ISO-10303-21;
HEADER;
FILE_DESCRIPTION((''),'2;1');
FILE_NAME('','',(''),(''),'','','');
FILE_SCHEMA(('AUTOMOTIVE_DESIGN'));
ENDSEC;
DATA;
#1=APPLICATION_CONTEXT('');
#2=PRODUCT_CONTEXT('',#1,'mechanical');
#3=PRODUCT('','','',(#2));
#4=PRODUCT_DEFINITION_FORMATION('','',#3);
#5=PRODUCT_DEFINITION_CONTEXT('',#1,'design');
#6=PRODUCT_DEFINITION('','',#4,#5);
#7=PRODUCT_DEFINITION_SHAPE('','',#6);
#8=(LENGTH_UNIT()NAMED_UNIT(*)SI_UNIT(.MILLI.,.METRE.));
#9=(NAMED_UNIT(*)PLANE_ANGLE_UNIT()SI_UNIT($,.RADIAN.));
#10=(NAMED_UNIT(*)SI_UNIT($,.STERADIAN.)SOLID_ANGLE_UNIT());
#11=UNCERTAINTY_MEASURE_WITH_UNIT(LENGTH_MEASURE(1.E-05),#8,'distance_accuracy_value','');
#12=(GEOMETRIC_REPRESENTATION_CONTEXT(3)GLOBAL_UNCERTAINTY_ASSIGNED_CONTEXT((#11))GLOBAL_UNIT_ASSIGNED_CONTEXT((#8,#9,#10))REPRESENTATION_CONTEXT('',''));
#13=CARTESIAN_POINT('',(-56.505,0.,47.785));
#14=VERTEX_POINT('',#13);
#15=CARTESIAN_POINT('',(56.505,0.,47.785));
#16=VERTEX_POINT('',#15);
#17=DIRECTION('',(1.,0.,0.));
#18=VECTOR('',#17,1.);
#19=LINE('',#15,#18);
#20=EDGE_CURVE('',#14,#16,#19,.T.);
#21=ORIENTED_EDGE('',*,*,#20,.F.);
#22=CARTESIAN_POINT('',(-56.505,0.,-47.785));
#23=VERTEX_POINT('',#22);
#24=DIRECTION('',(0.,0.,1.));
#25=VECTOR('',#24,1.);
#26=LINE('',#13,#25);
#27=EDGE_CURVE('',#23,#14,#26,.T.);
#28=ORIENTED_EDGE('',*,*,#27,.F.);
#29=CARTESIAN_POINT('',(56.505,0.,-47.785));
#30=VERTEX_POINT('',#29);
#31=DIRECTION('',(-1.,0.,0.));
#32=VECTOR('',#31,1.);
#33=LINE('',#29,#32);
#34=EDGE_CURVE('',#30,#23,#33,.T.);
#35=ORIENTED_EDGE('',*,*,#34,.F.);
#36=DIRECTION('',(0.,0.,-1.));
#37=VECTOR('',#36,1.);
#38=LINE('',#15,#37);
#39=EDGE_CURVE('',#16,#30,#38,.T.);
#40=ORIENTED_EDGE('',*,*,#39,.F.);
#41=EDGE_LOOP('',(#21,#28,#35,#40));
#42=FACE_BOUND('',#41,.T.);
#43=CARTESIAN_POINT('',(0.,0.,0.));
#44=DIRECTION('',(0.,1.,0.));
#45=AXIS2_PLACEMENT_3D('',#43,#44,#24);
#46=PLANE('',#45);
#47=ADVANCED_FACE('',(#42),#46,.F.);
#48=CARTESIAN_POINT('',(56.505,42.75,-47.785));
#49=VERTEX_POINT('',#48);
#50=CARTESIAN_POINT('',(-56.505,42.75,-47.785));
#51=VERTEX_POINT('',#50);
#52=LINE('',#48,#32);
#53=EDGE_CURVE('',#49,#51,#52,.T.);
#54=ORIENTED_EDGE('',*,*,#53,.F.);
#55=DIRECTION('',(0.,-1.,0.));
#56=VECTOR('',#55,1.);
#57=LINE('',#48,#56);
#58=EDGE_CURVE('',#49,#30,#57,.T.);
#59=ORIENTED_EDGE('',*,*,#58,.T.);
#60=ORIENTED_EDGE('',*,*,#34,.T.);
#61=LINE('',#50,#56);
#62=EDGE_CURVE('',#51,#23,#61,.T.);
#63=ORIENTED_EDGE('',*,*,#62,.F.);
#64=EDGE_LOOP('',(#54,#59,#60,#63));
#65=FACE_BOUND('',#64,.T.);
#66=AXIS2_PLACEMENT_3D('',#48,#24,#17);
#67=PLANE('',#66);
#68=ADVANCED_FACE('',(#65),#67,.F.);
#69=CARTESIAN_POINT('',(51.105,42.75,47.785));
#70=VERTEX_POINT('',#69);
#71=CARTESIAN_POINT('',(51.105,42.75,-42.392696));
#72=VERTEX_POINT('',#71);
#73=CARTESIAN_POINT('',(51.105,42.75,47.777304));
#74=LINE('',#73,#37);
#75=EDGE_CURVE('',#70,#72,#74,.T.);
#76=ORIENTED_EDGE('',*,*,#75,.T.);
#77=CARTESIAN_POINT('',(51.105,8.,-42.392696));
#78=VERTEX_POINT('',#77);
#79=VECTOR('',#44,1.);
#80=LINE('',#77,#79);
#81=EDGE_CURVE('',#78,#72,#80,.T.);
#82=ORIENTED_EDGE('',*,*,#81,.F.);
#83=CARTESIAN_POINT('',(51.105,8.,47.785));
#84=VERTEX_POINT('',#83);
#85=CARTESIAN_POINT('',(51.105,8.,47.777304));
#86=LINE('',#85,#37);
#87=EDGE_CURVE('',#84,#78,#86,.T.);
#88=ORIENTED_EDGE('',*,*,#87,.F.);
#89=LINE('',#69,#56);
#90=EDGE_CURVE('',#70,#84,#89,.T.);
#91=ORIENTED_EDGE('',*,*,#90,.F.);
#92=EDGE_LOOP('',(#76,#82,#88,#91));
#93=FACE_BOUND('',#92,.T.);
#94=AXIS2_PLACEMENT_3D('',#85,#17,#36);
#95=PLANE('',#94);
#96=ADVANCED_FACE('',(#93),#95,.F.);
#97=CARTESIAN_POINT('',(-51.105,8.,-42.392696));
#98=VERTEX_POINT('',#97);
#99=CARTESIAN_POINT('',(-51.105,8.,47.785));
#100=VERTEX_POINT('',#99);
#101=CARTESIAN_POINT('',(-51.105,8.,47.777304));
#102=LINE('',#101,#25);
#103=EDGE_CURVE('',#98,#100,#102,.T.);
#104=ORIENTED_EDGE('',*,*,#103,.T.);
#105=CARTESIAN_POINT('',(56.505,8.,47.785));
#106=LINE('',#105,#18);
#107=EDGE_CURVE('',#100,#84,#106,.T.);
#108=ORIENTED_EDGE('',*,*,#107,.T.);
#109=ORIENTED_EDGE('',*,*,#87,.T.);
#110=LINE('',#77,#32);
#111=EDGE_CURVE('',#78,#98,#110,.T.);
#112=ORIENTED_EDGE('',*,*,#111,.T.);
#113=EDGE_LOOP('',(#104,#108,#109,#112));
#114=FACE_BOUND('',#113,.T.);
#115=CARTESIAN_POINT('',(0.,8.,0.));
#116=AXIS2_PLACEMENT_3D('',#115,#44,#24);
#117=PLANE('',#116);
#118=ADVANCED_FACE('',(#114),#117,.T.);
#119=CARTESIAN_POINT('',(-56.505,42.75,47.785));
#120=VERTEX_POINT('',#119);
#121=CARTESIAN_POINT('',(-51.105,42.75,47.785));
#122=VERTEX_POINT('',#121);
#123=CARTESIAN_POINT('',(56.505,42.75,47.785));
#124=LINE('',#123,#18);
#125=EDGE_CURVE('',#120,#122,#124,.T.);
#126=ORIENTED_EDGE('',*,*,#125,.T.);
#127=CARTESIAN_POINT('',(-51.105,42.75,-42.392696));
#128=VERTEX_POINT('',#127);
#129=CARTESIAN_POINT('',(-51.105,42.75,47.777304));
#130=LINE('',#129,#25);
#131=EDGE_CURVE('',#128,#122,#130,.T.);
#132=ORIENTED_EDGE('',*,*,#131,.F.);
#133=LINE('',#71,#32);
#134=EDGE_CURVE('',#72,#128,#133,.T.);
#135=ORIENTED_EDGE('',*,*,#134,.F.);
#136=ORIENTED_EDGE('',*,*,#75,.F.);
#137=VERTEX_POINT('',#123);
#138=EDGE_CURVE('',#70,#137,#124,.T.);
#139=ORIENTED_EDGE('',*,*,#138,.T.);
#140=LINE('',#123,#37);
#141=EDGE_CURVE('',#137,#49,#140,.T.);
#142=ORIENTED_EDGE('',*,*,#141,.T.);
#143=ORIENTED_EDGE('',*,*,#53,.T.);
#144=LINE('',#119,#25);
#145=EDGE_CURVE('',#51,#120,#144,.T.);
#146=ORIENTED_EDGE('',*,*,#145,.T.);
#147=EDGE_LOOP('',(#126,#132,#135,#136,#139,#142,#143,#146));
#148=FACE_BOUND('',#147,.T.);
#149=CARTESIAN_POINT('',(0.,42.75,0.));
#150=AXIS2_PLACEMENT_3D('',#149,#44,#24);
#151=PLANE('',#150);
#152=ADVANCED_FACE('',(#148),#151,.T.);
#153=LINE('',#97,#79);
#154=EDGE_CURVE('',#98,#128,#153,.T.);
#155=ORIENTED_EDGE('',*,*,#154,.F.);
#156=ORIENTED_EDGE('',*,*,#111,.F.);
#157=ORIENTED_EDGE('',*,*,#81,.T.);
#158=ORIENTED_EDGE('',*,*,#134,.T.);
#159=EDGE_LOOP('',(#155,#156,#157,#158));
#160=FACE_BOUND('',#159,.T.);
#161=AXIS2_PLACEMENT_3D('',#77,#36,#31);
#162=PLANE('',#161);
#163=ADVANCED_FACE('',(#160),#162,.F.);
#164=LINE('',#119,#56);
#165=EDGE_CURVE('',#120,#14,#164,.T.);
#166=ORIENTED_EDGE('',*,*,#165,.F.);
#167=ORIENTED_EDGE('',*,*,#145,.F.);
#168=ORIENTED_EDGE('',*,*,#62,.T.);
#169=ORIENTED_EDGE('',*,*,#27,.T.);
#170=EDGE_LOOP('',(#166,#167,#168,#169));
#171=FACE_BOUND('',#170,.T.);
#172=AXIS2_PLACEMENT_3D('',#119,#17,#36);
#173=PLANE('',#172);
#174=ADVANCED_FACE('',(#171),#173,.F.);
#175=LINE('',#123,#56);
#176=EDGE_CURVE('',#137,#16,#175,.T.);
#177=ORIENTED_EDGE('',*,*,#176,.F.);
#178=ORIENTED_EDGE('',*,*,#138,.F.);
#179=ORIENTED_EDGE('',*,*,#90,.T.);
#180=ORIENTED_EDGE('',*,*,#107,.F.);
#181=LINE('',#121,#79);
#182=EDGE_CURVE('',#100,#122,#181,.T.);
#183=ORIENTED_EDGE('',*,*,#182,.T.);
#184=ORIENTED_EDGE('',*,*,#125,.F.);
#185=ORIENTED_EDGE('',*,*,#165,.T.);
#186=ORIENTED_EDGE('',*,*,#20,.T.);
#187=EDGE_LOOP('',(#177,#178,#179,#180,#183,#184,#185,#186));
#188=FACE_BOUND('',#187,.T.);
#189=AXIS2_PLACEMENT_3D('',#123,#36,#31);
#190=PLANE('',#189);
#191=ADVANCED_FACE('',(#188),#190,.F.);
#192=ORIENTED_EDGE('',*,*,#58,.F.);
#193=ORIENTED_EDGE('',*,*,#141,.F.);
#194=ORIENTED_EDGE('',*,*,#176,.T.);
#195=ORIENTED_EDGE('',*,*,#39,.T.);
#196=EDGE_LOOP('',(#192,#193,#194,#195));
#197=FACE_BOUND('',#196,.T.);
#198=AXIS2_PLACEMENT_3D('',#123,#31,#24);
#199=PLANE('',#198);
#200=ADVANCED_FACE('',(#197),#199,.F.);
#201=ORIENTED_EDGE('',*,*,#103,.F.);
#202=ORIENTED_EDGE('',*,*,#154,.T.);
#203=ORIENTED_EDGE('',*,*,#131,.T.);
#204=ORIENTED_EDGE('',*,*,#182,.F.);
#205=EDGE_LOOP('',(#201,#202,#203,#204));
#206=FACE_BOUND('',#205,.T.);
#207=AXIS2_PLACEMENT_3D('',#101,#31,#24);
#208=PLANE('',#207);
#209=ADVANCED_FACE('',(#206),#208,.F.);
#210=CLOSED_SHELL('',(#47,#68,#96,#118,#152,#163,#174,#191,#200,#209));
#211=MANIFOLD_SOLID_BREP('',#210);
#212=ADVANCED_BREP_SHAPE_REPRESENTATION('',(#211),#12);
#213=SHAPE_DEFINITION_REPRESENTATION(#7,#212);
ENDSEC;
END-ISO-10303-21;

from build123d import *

# Parameters (mm, degrees)
SKETCH1_W           = 113.01
SKETCH1_H           = 95.57
BOSS_EXTRUDE1_DEPTH = 42.75
SKETCH3_W           = 102.21
SKETCH3_H           = 90.17
CUT_EXTRUDE1_DEPTH  = 34.75
SKETCH6_W           = 102.21
SKETCH6_H           = 8.948308689
CUT_EXTRUDE2_DEPTH  = 34.75


with BuildPart() as part:
    # Sketch1 → Boss-Extrude1 (new body)
    with BuildSketch(Plane(origin=(0, 0, 0), x_dir=(1, 0, 0), z_dir=(0, 1, 0))):
        Rectangle(SKETCH1_W, SKETCH1_H)
    extrude(amount=BOSS_EXTRUDE1_DEPTH)

    # Sketch3 → Cut-Extrude1 (cut)
    with BuildSketch(Plane(origin=(0, 42.75, 0), x_dir=(1, 0, 0), z_dir=(0, 1, 0))):
        with Locations((0, -2.692303692)):
            Rectangle(SKETCH3_W, SKETCH3_H)
    extrude(amount=-CUT_EXTRUDE1_DEPTH, mode=Mode.SUBTRACT)

    # Sketch6 → Cut-Extrude2 (cut)
    with BuildSketch(Plane(origin=(0, 42.75, 0), x_dir=(1, 0, 0), z_dir=(0, 1, 0))):
        with Locations((0, -47.777303693)):
            Rectangle(SKETCH6_W, SKETCH6_H)
    extrude(amount=-CUT_EXTRUDE2_DEPTH, mode=Mode.SUBTRACT)


solid = part.part
